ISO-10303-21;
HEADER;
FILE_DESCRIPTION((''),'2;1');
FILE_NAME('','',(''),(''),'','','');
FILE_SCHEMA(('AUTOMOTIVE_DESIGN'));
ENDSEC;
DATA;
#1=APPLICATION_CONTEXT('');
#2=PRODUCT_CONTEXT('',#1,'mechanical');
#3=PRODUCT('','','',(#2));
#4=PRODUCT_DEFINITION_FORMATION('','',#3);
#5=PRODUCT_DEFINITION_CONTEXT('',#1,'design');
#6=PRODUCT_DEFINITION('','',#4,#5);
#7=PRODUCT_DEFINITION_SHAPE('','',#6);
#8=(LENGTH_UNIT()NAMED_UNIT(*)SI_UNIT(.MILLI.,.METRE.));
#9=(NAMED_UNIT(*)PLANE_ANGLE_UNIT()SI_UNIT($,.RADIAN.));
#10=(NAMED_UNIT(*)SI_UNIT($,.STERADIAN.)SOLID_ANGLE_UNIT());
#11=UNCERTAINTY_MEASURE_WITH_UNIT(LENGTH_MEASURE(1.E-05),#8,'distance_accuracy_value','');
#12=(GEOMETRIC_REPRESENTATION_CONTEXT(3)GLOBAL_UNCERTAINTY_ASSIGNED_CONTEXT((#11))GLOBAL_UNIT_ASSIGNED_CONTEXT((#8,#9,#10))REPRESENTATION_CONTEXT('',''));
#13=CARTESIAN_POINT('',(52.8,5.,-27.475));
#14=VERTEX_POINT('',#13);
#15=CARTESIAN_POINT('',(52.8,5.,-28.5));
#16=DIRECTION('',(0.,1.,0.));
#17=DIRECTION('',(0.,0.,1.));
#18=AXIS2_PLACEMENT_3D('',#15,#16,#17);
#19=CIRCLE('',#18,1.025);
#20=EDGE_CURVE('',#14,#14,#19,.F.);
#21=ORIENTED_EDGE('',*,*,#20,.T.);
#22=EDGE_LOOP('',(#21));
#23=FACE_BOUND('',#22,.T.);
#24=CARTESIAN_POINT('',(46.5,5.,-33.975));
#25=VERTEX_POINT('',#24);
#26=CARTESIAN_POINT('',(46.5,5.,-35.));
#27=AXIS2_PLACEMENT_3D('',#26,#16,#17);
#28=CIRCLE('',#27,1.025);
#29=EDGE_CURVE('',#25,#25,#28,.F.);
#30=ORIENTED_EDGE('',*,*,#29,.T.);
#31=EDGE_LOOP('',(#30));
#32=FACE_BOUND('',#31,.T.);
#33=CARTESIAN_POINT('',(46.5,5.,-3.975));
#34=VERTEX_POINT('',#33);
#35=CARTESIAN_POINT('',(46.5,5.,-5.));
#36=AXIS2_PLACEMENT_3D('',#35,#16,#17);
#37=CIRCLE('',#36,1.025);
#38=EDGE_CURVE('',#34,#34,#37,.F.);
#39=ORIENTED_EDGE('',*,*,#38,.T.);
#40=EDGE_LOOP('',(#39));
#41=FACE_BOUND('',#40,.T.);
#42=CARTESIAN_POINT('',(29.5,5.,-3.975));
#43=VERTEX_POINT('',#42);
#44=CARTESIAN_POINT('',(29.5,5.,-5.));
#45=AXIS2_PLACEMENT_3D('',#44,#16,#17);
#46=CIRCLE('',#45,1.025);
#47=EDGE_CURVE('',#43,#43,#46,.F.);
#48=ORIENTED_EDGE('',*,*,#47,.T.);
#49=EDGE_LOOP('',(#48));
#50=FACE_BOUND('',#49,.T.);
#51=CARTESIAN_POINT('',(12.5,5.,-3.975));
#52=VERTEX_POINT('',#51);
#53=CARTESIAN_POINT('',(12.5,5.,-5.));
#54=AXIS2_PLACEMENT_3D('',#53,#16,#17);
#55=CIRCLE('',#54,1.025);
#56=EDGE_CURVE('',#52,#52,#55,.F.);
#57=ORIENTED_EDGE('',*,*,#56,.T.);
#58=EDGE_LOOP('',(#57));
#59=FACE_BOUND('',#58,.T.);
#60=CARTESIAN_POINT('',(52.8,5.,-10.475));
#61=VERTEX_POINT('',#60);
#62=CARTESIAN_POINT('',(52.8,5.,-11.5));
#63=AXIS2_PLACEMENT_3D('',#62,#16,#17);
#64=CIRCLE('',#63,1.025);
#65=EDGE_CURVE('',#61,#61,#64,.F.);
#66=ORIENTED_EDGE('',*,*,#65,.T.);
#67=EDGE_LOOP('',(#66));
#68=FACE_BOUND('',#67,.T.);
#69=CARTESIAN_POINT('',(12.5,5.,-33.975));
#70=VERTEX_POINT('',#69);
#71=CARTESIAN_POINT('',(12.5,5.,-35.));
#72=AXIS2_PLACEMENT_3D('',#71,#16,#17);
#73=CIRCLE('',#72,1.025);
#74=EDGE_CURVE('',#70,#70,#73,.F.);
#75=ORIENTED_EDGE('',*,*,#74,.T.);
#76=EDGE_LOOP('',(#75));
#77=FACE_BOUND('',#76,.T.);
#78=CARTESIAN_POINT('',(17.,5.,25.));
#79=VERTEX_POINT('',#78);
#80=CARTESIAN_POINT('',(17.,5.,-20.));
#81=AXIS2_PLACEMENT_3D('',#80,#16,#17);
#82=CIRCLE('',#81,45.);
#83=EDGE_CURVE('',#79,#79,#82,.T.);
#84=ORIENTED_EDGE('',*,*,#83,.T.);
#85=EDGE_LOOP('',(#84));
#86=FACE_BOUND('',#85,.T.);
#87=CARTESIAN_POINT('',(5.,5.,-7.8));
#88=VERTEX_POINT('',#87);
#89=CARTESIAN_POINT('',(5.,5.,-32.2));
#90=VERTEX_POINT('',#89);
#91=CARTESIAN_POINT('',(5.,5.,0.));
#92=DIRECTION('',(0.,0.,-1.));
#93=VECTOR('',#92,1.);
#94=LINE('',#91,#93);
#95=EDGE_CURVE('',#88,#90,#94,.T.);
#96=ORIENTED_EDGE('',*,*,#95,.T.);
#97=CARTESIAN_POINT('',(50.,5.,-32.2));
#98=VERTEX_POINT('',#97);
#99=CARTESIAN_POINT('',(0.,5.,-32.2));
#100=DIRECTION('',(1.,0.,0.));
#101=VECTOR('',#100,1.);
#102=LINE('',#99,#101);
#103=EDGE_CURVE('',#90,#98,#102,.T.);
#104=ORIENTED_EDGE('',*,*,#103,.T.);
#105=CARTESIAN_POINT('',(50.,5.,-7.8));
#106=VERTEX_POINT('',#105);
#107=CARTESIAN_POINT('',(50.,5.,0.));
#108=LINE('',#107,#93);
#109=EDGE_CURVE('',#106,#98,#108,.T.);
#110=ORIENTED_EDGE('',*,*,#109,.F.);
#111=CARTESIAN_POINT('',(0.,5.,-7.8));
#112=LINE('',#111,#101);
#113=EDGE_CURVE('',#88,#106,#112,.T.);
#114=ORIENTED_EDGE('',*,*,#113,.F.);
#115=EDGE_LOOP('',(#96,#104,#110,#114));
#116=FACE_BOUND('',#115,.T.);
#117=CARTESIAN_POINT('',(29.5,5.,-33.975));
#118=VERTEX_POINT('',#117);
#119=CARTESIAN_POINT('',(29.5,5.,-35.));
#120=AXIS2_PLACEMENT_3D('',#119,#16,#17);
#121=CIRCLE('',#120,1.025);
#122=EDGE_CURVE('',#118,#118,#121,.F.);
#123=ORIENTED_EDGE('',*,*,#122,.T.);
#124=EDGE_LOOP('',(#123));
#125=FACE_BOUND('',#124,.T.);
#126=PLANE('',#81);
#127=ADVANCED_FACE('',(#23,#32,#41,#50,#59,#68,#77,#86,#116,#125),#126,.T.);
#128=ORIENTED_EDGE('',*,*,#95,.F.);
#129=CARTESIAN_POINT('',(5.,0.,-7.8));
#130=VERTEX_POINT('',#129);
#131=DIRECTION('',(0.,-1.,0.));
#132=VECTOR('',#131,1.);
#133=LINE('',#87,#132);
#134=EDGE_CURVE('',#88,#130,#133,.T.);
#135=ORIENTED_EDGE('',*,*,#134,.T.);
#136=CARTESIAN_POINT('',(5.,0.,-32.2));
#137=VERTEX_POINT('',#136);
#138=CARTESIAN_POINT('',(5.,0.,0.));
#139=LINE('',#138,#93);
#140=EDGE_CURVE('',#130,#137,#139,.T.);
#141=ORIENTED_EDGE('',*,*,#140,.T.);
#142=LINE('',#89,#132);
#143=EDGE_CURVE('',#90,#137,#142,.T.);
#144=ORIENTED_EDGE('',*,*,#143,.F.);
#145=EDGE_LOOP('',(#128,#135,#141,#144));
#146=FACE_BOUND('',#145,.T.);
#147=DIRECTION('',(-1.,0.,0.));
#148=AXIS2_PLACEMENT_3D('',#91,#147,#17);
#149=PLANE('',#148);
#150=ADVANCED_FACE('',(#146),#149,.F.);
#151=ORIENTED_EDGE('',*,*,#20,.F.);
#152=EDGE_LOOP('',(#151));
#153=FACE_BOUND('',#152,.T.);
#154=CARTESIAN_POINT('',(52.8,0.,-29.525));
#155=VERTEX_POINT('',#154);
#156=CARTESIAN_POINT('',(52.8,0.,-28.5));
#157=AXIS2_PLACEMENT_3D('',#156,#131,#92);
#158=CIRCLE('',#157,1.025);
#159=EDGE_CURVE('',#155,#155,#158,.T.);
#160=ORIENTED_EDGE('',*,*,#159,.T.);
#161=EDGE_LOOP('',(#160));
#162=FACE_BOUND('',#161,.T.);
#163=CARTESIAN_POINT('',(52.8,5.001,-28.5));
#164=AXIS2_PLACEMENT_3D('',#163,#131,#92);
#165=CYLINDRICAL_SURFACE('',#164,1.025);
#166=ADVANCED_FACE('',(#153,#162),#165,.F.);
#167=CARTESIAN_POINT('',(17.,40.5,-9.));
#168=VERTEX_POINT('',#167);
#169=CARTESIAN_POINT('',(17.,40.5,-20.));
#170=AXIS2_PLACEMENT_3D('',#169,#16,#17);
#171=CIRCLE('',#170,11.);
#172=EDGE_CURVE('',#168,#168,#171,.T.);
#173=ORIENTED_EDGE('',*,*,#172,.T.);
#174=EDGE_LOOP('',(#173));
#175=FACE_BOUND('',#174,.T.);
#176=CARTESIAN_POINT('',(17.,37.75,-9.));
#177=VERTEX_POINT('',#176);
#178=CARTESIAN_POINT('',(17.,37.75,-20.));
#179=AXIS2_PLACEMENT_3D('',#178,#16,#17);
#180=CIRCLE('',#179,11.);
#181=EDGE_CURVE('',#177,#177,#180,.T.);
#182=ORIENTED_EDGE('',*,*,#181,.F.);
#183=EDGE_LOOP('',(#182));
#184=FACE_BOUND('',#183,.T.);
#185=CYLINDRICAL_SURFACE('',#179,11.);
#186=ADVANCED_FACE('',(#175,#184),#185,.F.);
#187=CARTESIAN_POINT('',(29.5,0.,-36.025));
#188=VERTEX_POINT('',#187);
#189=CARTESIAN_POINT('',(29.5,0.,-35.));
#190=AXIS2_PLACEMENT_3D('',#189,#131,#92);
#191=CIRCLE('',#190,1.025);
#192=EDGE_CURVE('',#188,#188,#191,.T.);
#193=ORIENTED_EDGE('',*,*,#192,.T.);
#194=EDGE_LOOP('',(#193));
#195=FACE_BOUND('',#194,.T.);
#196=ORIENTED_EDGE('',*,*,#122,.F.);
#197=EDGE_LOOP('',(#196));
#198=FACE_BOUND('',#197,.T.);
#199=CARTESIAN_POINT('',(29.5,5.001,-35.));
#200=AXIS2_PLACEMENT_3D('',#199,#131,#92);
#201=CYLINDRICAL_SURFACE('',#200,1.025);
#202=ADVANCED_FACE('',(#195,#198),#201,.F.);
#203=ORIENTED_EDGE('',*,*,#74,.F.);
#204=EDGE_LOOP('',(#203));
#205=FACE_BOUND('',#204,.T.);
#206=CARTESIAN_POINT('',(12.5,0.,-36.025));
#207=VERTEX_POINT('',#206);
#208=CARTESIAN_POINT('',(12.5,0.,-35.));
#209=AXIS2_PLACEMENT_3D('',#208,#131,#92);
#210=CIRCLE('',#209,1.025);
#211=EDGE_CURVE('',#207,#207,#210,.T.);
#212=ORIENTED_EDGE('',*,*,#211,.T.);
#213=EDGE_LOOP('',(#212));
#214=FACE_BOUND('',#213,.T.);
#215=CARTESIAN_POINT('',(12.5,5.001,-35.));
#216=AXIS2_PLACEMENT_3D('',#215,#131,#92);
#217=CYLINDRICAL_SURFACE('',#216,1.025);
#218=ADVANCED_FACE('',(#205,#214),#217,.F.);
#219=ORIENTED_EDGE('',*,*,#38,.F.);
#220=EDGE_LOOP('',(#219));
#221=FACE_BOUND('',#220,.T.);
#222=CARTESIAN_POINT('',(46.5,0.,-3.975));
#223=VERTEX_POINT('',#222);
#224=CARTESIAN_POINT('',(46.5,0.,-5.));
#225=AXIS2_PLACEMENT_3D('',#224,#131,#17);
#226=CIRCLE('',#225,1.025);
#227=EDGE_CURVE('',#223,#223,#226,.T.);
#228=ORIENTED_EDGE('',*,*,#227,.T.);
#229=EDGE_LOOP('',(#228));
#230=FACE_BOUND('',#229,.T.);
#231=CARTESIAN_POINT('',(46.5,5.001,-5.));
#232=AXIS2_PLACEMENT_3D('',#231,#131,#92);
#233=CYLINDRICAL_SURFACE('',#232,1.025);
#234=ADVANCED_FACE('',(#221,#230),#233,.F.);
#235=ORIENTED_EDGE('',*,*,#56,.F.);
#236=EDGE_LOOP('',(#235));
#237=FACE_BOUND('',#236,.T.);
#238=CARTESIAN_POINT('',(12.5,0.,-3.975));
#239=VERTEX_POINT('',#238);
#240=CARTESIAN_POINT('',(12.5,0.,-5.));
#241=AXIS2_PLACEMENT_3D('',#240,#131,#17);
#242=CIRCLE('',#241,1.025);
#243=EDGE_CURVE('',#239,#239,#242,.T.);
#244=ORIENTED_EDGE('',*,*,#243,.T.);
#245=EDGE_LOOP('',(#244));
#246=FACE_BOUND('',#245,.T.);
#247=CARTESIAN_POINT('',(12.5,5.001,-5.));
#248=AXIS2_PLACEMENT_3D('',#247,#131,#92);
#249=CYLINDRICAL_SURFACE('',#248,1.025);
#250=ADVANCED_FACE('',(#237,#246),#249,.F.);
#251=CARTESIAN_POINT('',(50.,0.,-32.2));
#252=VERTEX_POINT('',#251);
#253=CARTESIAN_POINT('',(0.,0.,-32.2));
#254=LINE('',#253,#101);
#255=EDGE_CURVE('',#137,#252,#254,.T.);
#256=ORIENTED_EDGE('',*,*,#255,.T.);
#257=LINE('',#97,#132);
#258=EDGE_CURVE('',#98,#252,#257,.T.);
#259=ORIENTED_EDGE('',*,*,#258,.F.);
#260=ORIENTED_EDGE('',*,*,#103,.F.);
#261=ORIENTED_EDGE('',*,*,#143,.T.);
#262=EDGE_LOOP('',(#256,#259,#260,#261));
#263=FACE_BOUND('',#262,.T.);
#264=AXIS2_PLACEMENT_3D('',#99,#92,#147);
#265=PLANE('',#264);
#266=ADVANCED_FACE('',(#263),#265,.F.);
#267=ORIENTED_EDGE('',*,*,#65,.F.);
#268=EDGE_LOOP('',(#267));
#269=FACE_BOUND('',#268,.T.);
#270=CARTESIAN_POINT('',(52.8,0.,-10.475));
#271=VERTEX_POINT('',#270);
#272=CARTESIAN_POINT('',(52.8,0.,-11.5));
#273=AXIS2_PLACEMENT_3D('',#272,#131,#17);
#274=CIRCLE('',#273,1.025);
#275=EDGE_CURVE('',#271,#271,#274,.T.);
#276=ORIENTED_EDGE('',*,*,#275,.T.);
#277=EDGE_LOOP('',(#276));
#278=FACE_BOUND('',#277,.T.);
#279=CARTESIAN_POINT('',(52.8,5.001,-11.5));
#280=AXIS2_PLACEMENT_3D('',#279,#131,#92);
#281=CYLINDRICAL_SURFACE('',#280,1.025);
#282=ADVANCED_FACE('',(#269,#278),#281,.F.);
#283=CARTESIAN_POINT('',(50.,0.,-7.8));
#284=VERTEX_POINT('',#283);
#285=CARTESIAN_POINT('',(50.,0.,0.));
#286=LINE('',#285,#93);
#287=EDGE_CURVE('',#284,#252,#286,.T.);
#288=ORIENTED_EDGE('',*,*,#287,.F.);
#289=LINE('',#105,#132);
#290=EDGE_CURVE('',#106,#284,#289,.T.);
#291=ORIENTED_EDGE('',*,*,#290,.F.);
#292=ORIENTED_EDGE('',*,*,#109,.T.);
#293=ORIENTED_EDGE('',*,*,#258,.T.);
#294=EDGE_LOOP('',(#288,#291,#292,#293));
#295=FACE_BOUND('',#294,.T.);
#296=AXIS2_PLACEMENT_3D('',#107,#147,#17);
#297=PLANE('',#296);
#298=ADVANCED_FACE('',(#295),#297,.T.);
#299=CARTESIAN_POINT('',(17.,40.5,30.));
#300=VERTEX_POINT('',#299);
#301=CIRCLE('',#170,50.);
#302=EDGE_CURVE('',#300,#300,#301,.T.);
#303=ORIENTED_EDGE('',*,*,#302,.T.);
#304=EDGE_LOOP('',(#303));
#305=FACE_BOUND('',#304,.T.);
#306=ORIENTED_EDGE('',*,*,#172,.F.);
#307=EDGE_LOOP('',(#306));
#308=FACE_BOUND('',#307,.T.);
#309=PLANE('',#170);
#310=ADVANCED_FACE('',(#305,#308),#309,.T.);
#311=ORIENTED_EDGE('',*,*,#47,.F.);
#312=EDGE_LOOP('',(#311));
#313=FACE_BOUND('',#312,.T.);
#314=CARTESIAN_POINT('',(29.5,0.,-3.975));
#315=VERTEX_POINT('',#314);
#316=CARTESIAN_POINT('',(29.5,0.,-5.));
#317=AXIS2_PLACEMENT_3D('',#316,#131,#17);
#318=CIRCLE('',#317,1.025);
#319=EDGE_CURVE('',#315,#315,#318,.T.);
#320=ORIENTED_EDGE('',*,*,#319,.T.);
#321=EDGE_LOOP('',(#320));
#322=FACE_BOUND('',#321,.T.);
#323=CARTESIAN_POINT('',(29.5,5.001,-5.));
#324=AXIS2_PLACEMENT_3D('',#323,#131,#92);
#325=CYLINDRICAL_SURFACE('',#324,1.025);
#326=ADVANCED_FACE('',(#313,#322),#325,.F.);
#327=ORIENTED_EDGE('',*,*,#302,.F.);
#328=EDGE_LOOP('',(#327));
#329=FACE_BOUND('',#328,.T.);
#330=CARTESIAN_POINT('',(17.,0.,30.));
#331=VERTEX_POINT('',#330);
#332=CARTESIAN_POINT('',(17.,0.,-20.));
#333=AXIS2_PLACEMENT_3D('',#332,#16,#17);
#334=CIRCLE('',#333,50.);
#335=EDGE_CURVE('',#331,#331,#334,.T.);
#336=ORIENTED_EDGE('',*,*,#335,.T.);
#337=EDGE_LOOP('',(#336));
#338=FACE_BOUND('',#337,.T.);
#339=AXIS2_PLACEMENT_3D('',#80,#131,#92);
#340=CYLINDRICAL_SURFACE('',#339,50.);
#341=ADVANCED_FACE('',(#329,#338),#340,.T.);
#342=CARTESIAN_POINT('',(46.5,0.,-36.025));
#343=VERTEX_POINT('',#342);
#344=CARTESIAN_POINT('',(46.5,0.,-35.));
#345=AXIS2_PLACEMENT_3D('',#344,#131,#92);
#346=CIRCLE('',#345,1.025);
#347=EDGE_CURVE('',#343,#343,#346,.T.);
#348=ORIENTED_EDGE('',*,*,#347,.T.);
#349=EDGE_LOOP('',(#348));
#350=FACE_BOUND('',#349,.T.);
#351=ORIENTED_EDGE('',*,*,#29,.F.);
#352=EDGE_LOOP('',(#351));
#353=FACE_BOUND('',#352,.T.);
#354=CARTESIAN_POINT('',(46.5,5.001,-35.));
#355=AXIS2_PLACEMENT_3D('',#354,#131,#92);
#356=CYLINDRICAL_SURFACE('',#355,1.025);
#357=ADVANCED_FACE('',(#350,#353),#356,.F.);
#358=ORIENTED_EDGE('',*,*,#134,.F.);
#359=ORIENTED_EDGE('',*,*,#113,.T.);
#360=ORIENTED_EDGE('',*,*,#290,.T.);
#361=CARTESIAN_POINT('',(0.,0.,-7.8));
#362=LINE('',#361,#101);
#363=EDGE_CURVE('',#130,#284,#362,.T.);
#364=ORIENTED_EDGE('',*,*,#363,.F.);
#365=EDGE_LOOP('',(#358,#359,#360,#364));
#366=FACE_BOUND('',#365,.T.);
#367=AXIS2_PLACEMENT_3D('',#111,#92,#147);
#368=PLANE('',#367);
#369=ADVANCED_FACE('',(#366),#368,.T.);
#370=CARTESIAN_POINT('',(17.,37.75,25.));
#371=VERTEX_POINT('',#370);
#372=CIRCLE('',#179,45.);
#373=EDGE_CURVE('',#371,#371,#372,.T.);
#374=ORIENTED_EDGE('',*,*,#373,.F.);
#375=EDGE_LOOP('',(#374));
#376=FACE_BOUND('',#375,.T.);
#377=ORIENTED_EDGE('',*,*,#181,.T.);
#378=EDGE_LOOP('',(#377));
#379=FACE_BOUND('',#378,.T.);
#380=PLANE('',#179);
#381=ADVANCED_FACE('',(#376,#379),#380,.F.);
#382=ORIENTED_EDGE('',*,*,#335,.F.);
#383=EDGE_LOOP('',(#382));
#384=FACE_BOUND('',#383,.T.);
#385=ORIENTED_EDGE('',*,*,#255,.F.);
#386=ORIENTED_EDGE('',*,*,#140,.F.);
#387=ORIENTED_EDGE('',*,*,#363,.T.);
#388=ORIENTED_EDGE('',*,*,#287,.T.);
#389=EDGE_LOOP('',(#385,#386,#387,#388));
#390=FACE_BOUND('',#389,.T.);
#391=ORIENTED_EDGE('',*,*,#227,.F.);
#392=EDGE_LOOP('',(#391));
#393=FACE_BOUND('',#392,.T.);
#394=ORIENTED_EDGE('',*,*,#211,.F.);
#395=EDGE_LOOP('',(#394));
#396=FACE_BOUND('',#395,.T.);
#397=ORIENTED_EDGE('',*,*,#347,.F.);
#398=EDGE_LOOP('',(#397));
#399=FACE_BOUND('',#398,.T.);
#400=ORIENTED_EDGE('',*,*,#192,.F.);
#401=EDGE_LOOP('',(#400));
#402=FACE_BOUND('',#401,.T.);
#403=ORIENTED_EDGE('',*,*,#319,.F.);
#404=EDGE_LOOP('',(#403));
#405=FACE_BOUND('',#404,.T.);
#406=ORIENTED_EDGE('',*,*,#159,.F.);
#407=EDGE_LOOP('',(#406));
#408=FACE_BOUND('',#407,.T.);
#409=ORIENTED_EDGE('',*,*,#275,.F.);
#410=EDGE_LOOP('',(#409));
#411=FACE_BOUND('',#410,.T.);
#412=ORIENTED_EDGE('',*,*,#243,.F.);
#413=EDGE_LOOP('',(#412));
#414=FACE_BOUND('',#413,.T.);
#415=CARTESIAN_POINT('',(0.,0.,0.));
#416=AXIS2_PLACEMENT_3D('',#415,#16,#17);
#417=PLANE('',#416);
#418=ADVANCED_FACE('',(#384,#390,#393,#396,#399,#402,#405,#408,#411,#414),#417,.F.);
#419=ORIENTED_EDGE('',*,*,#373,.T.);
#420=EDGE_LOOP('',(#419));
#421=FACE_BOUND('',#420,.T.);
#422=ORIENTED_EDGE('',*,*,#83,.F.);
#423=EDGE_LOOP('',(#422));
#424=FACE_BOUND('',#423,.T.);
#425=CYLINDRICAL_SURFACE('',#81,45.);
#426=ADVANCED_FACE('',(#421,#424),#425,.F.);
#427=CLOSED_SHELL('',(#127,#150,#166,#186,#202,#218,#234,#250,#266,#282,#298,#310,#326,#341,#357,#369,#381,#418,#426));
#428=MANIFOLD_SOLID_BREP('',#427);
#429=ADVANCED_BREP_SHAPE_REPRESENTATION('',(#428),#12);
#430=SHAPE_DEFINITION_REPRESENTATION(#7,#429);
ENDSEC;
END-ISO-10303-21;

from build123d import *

# Parameters (mm, degrees)
SKETCH1_R           = 50
SKETCH1_W           = 60
SKETCH1_H           = 40
SKETCH1_W_2         = 45
SKETCH1_H_2         = 24.4
BOSS_EXTRUDE1_DEPTH = 5
CUT_EXTRUDE1_REACH  = 7
SKETCH8_R           = 1.025
SKETCH9_R           = 50
BOSS_EXTRUDE2_DEPTH = 32.75
SKETCH10_R          = 45
CUT_EXTRUDE2_DEPTH  = 32.75
SKETCH11_R          = 50
BOSS_EXTRUDE3_DEPTH = 2.75
SKETCH12_R          = 11
CUT_EXTRUDE3_DEPTH  = 2.75


with BuildPart() as part:
    # Sketch1 → Boss-Extrude1 (new body)
    with BuildSketch(Plane(origin=(0, 0, 0), x_dir=(1, 0, 0), z_dir=(0, 1, 0))):
        with Locations((17, 20)):
            Circle(SKETCH1_R)
        with Locations((30, 20)):
            Rectangle(SKETCH1_W, SKETCH1_H, mode=Mode.SUBTRACT)
        with Locations((30, 20)):
            Rectangle(SKETCH1_W, SKETCH1_H)
        with Locations((27.5, 20)):
            Rectangle(SKETCH1_W_2, SKETCH1_H_2, mode=Mode.SUBTRACT)
    extrude(amount=BOSS_EXTRUDE1_DEPTH)

    # Sketch8 → Cut-Extrude1 (cut, up to next)
    with BuildSketch(Plane(origin=(0, 0, 0), x_dir=(-1, 0, 0), z_dir=(0, -1, 0)), mode=Mode.PRIVATE) as cut_extrude1_sk1:
        with Locations((-52.8, 28.5)):
            Circle(SKETCH8_R)
    cut_extrude1_tool1 = extrude(cut_extrude1_sk1.sketch, amount=-CUT_EXTRUDE1_REACH, mode=Mode.PRIVATE) & part.part
    add(cut_extrude1_tool1.solids().sort_by_distance((52.8, 0, -28.5))[0], mode=Mode.SUBTRACT)
    # Sketch8 → Cut-Extrude1 (cut, up to next)
    with BuildSketch(Plane(origin=(0, 0, 0), x_dir=(-1, 0, 0), z_dir=(0, -1, 0)), mode=Mode.PRIVATE) as cut_extrude1_sk2:
        with Locations((-46.5, 35)):
            Circle(SKETCH8_R)
    cut_extrude1_tool2 = extrude(cut_extrude1_sk2.sketch, amount=-CUT_EXTRUDE1_REACH, mode=Mode.PRIVATE) & part.part
    add(cut_extrude1_tool2.solids().sort_by_distance((46.5, 0, -35))[0], mode=Mode.SUBTRACT)
    # Sketch8 → Cut-Extrude1 (cut, up to next)
    with BuildSketch(Plane(origin=(0, 0, 0), x_dir=(-1, 0, 0), z_dir=(0, -1, 0)), mode=Mode.PRIVATE) as cut_extrude1_sk3:
        with Locations((-29.5, 35)):
            Circle(SKETCH8_R)
    cut_extrude1_tool3 = extrude(cut_extrude1_sk3.sketch, amount=-CUT_EXTRUDE1_REACH, mode=Mode.PRIVATE) & part.part
    add(cut_extrude1_tool3.solids().sort_by_distance((29.5, 0, -35))[0], mode=Mode.SUBTRACT)
    # Sketch8 → Cut-Extrude1 (cut, up to next)
    with BuildSketch(Plane(origin=(0, 0, 0), x_dir=(-1, 0, 0), z_dir=(0, -1, 0)), mode=Mode.PRIVATE) as cut_extrude1_sk4:
        with Locations((-12.5, 35)):
            Circle(SKETCH8_R)
    cut_extrude1_tool4 = extrude(cut_extrude1_sk4.sketch, amount=-CUT_EXTRUDE1_REACH, mode=Mode.PRIVATE) & part.part
    add(cut_extrude1_tool4.solids().sort_by_distance((12.5, 0, -35))[0], mode=Mode.SUBTRACT)
    # Sketch8 → Cut-Extrude1 (cut, up to next)
    with BuildSketch(Plane(origin=(0, 0, 0), x_dir=(-1, 0, 0), z_dir=(0, -1, 0)), mode=Mode.PRIVATE) as cut_extrude1_sk5:
        with Locations((-12.5, 5)):
            Circle(SKETCH8_R)
    cut_extrude1_tool5 = extrude(cut_extrude1_sk5.sketch, amount=-CUT_EXTRUDE1_REACH, mode=Mode.PRIVATE) & part.part
    add(cut_extrude1_tool5.solids().sort_by_distance((12.5, 0, -5))[0], mode=Mode.SUBTRACT)
    # Sketch8 → Cut-Extrude1 (cut, up to next)
    with BuildSketch(Plane(origin=(0, 0, 0), x_dir=(-1, 0, 0), z_dir=(0, -1, 0)), mode=Mode.PRIVATE) as cut_extrude1_sk6:
        with Locations((-29.5, 5)):
            Circle(SKETCH8_R)
    cut_extrude1_tool6 = extrude(cut_extrude1_sk6.sketch, amount=-CUT_EXTRUDE1_REACH, mode=Mode.PRIVATE) & part.part
    add(cut_extrude1_tool6.solids().sort_by_distance((29.5, 0, -5))[0], mode=Mode.SUBTRACT)
    # Sketch8 → Cut-Extrude1 (cut, up to next)
    with BuildSketch(Plane(origin=(0, 0, 0), x_dir=(-1, 0, 0), z_dir=(0, -1, 0)), mode=Mode.PRIVATE) as cut_extrude1_sk7:
        with Locations((-46.5, 5)):
            Circle(SKETCH8_R)
    cut_extrude1_tool7 = extrude(cut_extrude1_sk7.sketch, amount=-CUT_EXTRUDE1_REACH, mode=Mode.PRIVATE) & part.part
    add(cut_extrude1_tool7.solids().sort_by_distance((46.5, 0, -5))[0], mode=Mode.SUBTRACT)
    # Sketch8 → Cut-Extrude1 (cut, up to next)
    with BuildSketch(Plane(origin=(0, 0, 0), x_dir=(-1, 0, 0), z_dir=(0, -1, 0)), mode=Mode.PRIVATE) as cut_extrude1_sk8:
        with Locations((-52.8, 11.5)):
            Circle(SKETCH8_R)
    cut_extrude1_tool8 = extrude(cut_extrude1_sk8.sketch, amount=-CUT_EXTRUDE1_REACH, mode=Mode.PRIVATE) & part.part
    add(cut_extrude1_tool8.solids().sort_by_distance((52.8, 0, -11.5))[0], mode=Mode.SUBTRACT)

    # Sketch9 → Boss-Extrude2 (add)
    with BuildSketch(Plane(origin=(0, 5, 0), x_dir=(1, 0, 0), z_dir=(0, 1, 0))):
        with Locations((17, 20)):
            Circle(SKETCH9_R)
    extrude(amount=BOSS_EXTRUDE2_DEPTH)

    # Sketch10 → Cut-Extrude2 (cut)
    with BuildSketch(Plane(origin=(0, 37.75, 0), x_dir=(1, 0, 0), z_dir=(0, 1, 0))):
        with Locations((17, 20)):
            Circle(SKETCH10_R)
    extrude(amount=-CUT_EXTRUDE2_DEPTH, mode=Mode.SUBTRACT)

    # Sketch11 → Boss-Extrude3 (add)
    with BuildSketch(Plane(origin=(0, 37.75, 0), x_dir=(1, 0, 0), z_dir=(0, 1, 0))):
        with Locations((17, 20)):
            Circle(SKETCH11_R)
    extrude(amount=BOSS_EXTRUDE3_DEPTH)

    # Sketch12 → Cut-Extrude3 (cut)
    with BuildSketch(Plane(origin=(0, 40.5, 0), x_dir=(1, 0, 0), z_dir=(0, 1, 0))):
        with Locations((17, 20)):
            Circle(SKETCH12_R)
    extrude(amount=-CUT_EXTRUDE3_DEPTH, mode=Mode.SUBTRACT)


solid = part.part
